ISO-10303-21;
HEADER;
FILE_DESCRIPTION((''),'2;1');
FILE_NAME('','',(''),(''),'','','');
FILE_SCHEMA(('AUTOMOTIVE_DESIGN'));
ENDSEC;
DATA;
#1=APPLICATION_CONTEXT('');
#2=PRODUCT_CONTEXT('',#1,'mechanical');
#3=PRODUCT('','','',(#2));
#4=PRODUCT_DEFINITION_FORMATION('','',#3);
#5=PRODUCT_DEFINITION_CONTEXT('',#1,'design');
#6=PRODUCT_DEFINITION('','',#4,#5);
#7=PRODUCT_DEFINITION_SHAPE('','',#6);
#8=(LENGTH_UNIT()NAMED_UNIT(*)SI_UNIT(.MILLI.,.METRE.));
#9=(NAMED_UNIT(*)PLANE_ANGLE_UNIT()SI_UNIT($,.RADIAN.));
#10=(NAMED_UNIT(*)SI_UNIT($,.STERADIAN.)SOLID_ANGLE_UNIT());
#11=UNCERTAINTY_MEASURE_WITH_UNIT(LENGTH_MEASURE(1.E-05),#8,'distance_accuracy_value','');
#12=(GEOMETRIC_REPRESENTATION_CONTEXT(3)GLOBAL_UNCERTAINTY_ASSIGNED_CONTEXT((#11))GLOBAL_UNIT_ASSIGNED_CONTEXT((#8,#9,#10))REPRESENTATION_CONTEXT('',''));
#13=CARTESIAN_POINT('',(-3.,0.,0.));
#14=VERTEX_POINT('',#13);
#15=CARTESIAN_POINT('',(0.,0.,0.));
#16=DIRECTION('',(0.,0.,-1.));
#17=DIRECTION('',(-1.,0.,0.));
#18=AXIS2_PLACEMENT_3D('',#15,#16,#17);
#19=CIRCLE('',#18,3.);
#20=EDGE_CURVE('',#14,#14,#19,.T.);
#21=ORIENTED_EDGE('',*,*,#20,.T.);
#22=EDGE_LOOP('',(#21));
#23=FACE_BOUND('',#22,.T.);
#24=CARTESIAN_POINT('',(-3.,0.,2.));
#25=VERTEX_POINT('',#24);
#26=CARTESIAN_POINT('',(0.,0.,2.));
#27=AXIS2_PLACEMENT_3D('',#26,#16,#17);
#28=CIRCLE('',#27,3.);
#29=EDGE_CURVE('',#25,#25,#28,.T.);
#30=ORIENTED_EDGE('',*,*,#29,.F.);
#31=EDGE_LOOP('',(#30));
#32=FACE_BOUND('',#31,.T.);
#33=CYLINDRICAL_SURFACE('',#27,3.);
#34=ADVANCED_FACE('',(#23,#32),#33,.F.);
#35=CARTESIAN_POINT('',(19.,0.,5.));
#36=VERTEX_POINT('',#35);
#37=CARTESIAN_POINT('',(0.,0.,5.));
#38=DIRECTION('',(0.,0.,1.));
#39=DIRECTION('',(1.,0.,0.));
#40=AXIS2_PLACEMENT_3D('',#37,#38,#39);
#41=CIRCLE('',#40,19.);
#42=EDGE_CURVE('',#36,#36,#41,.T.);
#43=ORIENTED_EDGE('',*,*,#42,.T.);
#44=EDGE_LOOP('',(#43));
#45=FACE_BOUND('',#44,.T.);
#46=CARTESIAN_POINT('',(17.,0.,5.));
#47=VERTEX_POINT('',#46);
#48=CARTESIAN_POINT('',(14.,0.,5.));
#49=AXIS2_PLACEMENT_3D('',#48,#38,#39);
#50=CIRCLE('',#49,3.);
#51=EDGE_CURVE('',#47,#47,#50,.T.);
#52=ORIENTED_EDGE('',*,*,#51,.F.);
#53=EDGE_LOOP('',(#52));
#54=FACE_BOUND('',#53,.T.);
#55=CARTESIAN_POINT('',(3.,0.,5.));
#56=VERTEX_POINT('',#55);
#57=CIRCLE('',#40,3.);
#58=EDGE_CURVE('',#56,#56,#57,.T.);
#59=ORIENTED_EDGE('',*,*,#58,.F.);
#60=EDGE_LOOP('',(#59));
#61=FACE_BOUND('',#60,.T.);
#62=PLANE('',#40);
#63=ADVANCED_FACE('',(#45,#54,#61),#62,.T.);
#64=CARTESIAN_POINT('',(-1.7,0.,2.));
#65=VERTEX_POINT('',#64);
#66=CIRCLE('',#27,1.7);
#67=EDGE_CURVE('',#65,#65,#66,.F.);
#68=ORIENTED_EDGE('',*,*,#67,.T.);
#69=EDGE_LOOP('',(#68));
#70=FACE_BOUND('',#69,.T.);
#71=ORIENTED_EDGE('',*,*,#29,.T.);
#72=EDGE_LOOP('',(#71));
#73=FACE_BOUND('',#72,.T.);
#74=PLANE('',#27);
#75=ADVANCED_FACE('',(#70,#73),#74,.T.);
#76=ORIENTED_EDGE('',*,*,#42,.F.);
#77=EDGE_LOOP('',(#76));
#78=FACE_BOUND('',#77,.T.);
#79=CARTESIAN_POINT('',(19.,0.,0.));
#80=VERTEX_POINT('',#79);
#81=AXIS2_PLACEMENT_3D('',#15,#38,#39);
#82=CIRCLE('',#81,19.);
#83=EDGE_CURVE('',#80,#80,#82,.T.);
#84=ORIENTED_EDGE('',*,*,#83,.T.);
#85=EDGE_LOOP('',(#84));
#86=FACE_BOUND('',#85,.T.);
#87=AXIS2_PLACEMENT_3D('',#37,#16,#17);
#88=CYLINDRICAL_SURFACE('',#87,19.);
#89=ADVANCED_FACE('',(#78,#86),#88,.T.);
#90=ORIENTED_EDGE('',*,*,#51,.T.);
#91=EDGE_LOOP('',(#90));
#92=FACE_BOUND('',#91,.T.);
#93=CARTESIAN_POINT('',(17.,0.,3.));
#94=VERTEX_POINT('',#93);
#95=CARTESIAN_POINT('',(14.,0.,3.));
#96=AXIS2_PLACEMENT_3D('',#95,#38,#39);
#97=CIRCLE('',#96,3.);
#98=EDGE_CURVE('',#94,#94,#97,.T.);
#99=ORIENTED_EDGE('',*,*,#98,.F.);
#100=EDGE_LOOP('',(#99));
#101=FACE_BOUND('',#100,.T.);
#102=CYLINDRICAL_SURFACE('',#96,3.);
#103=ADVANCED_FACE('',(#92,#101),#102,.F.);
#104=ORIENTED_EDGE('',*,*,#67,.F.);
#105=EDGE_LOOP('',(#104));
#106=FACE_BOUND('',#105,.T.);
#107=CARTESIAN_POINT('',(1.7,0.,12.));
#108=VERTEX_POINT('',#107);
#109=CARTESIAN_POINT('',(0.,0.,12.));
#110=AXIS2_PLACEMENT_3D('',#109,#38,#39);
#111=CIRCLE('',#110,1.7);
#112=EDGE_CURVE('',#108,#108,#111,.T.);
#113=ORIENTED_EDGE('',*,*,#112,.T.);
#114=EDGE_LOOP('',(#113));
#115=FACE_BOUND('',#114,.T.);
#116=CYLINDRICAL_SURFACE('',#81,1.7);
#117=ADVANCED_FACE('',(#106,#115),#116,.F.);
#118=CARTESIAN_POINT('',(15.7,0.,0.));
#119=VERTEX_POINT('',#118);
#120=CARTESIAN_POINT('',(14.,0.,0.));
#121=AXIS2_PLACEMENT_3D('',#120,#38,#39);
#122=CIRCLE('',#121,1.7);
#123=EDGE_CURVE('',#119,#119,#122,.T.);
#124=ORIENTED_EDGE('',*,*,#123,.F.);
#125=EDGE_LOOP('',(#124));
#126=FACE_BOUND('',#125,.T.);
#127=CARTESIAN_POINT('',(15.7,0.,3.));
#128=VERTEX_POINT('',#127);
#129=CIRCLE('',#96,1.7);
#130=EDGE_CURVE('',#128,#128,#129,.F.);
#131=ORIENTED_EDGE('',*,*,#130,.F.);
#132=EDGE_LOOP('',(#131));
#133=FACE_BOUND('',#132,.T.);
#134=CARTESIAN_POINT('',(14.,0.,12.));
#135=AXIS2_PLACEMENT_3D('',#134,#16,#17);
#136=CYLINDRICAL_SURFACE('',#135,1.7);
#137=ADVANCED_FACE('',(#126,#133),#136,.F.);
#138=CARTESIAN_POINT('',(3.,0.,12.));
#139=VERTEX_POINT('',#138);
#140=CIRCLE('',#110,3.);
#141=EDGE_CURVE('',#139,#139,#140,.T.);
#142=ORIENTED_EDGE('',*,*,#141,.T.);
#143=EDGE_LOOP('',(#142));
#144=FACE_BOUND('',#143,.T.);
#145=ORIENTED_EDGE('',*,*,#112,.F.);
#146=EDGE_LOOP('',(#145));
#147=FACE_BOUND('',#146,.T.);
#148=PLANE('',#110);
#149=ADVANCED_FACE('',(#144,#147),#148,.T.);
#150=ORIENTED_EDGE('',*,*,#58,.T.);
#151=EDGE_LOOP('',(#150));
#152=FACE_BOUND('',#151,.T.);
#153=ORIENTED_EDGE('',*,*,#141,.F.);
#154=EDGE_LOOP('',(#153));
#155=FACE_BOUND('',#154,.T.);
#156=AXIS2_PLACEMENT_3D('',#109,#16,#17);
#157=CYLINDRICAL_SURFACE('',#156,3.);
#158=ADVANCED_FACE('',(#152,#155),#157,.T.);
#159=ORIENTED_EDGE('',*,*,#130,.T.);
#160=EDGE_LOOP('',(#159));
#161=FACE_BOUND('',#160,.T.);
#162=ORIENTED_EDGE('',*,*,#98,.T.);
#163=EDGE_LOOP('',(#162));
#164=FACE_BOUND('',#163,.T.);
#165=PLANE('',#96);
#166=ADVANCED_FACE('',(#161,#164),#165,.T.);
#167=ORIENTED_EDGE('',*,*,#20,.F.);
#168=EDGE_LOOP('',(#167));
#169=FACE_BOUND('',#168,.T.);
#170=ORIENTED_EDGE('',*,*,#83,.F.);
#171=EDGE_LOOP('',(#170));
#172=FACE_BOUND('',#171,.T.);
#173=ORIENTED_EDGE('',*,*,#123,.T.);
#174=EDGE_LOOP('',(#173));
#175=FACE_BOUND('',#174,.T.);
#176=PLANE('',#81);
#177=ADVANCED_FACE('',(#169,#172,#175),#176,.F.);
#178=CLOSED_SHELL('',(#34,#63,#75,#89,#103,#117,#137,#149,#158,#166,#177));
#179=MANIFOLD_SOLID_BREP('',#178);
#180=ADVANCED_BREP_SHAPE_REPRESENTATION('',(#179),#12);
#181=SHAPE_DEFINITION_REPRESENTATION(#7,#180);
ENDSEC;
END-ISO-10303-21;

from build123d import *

# Parameters (mm, degrees)
SKETCH1_R               = 19
BOSS_EXTRUDE1_DEPTH     = 5
SKETCH2_R               = 3
BOSS_EXTRUDE2_DEPTH     = 7
SKETCH3_R               = 1.7
CUT_EXTRUDE1_DEPTH      = 30.427877939
SKETCH4_R               = 3
CUT_EXTRUDE2_DEPTH      = 2
CUT_EXTRUDE3_DEPTH      = 30.427877939
CUT_EXTRUDE3_DEPTH_BACK = 30.427877939
SKETCH5_R               = 1.7
SKETCH6_R               = 3
CUT_EXTRUDE4_DEPTH      = 2


with BuildPart() as part:
    # Sketch1 → Boss-Extrude1 (new body)
    with BuildSketch(Plane(origin=(0, 0, 0), x_dir=(0, 1, 0), z_dir=(0, 0, 1))):
        with Locations(Location((0, 0, 0), (0, 0, 270))):
            Circle(SKETCH1_R)
    extrude(amount=BOSS_EXTRUDE1_DEPTH)

    # Sketch2 → Boss-Extrude2 (add)
    with BuildSketch(Plane.XY.offset(5)):
        Circle(SKETCH2_R)
    extrude(amount=BOSS_EXTRUDE2_DEPTH)

    # Sketch3 → Cut-Extrude1 (cut, through all)
    with BuildSketch(Plane.XY.offset(12)):
        Circle(SKETCH3_R)
    extrude(amount=-CUT_EXTRUDE1_DEPTH, mode=Mode.SUBTRACT)

    # Sketch4 → Cut-Extrude2 (cut)
    with BuildSketch(Plane(origin=(0, 0, 0), x_dir=(1, 0, 0), z_dir=(0, 0, -1))):
        Circle(SKETCH4_R)
    extrude(amount=-CUT_EXTRUDE2_DEPTH, mode=Mode.SUBTRACT)

    # Sketch5 → Cut-Extrude3 (cut, two sides: drawn at the far end of the back side and taken through both)
    with BuildSketch(Plane(origin=(0, 0, 0), x_dir=(1, 0, 0), z_dir=(0, 0, -1)).offset(-CUT_EXTRUDE3_DEPTH_BACK)):
        with Locations((14, 0)):
            Circle(SKETCH5_R)
    extrude(amount=CUT_EXTRUDE3_DEPTH + CUT_EXTRUDE3_DEPTH_BACK, mode=Mode.SUBTRACT)

    # Sketch6 → Cut-Extrude4 (cut)
    with BuildSketch(Plane.XY.offset(5)):
        with Locations((14, 0)):
            Circle(SKETCH6_R)
    extrude(amount=-CUT_EXTRUDE4_DEPTH, mode=Mode.SUBTRACT)


solid = part.part
